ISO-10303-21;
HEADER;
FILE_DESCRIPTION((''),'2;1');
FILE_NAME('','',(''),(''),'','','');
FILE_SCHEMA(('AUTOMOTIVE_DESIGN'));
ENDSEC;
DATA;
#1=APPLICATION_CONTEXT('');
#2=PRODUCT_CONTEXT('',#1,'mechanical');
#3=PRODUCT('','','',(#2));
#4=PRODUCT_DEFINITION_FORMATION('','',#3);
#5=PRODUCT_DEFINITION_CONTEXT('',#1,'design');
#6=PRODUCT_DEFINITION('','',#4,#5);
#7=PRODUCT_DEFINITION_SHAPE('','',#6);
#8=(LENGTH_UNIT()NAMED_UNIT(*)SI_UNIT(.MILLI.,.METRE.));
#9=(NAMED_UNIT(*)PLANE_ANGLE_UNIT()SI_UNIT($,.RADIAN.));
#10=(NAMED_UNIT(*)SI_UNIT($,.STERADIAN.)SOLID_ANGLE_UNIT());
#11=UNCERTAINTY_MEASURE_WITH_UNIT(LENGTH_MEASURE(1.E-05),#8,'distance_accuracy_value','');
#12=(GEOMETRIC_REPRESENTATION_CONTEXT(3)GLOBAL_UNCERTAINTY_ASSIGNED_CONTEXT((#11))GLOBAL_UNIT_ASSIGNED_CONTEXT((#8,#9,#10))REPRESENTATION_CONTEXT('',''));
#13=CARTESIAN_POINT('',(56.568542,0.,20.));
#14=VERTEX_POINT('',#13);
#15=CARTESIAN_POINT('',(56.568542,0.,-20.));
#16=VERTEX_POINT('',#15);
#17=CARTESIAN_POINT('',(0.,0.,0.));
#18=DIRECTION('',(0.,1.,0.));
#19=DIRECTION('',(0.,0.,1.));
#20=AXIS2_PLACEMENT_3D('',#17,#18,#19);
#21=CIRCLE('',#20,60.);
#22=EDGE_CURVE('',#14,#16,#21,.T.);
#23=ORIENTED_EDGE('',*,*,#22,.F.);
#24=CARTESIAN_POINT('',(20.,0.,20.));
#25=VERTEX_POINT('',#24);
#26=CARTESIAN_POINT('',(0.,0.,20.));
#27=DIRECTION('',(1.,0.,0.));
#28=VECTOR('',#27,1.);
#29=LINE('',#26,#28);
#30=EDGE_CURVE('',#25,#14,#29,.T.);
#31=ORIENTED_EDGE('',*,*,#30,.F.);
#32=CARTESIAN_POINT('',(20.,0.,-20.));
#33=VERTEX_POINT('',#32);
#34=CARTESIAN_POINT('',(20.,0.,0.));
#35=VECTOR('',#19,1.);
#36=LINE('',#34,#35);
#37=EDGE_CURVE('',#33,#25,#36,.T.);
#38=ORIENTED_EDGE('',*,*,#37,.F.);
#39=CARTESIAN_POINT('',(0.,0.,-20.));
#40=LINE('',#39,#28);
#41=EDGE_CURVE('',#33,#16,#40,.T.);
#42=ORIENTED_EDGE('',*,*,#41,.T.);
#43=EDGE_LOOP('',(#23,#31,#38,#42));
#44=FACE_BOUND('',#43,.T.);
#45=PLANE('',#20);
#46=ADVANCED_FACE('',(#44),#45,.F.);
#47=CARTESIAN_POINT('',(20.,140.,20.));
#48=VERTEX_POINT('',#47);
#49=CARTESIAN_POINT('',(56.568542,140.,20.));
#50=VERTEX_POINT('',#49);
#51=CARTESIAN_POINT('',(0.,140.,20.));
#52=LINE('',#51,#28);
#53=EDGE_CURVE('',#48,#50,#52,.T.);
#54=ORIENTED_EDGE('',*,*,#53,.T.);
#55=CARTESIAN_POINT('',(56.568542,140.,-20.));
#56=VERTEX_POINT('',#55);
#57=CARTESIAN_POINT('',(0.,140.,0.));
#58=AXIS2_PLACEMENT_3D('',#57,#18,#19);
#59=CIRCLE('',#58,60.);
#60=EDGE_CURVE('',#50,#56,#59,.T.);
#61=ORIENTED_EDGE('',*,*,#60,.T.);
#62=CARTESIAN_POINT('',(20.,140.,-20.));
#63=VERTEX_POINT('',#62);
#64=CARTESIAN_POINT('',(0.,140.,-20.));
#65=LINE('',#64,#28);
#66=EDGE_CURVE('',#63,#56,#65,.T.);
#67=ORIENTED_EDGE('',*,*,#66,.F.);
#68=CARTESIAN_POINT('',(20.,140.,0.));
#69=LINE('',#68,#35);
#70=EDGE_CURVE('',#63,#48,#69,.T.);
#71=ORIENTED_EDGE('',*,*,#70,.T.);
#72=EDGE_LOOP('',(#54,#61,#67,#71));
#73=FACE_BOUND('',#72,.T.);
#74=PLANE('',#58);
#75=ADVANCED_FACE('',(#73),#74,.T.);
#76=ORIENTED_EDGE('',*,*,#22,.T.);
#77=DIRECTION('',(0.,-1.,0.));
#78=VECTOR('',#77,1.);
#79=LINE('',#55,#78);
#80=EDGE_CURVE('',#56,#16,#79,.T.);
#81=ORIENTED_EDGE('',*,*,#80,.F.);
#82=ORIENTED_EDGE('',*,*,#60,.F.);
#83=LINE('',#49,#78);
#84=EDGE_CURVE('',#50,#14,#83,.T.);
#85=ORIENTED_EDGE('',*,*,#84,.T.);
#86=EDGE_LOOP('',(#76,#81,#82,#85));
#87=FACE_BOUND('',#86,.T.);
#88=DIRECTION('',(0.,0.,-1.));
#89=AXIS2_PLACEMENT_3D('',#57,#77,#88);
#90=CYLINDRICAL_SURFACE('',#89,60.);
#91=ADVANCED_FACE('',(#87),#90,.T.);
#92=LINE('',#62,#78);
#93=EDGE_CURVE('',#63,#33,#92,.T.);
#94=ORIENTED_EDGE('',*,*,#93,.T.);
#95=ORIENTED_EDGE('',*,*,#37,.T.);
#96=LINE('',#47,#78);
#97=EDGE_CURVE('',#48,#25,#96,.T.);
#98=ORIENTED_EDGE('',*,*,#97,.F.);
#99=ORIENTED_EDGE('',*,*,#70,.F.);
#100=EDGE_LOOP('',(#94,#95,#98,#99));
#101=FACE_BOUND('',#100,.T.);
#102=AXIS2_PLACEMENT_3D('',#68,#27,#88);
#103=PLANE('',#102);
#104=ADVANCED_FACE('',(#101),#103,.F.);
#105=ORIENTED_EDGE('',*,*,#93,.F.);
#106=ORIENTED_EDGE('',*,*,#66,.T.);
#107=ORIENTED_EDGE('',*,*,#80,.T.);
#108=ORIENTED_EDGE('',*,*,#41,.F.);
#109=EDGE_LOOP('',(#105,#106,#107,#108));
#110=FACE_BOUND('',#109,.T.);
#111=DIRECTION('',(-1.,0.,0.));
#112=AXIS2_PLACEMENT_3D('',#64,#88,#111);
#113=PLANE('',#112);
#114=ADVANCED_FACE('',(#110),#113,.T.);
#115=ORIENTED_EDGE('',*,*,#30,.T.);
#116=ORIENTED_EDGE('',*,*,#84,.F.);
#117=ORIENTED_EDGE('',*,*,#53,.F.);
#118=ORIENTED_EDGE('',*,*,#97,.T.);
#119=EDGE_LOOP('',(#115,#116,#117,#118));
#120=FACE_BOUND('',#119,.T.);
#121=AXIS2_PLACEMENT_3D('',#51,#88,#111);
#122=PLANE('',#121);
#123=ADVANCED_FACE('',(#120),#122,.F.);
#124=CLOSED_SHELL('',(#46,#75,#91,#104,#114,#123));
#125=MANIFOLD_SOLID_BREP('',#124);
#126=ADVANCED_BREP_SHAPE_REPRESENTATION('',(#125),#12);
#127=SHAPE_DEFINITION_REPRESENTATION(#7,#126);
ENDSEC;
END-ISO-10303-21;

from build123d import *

# Parameters (mm, degrees)
EXTRUDE_1_DEPTH = 140


with BuildPart() as part:
    # 草图1 → 凸台-拉伸1 (new body)
    with BuildSketch(Plane(origin=(0, 0, 0), x_dir=(1, 0, 0), z_dir=(0, 1, 0))):
        with BuildLine():
            Line((20, 20), (20, -20))
            Line((20, -20), (56.568542495, -20))
            ThreePointArc((56.568542495, -20), (59.135913579, -10.146118724), (60, 0))
            ThreePointArc((60, 0), (59.135913579, 10.146118724), (56.568542495, 20))
            Line((56.568542495, 20), (20, 20))
        make_face()
    extrude(amount=EXTRUDE_1_DEPTH)


solid = part.part
